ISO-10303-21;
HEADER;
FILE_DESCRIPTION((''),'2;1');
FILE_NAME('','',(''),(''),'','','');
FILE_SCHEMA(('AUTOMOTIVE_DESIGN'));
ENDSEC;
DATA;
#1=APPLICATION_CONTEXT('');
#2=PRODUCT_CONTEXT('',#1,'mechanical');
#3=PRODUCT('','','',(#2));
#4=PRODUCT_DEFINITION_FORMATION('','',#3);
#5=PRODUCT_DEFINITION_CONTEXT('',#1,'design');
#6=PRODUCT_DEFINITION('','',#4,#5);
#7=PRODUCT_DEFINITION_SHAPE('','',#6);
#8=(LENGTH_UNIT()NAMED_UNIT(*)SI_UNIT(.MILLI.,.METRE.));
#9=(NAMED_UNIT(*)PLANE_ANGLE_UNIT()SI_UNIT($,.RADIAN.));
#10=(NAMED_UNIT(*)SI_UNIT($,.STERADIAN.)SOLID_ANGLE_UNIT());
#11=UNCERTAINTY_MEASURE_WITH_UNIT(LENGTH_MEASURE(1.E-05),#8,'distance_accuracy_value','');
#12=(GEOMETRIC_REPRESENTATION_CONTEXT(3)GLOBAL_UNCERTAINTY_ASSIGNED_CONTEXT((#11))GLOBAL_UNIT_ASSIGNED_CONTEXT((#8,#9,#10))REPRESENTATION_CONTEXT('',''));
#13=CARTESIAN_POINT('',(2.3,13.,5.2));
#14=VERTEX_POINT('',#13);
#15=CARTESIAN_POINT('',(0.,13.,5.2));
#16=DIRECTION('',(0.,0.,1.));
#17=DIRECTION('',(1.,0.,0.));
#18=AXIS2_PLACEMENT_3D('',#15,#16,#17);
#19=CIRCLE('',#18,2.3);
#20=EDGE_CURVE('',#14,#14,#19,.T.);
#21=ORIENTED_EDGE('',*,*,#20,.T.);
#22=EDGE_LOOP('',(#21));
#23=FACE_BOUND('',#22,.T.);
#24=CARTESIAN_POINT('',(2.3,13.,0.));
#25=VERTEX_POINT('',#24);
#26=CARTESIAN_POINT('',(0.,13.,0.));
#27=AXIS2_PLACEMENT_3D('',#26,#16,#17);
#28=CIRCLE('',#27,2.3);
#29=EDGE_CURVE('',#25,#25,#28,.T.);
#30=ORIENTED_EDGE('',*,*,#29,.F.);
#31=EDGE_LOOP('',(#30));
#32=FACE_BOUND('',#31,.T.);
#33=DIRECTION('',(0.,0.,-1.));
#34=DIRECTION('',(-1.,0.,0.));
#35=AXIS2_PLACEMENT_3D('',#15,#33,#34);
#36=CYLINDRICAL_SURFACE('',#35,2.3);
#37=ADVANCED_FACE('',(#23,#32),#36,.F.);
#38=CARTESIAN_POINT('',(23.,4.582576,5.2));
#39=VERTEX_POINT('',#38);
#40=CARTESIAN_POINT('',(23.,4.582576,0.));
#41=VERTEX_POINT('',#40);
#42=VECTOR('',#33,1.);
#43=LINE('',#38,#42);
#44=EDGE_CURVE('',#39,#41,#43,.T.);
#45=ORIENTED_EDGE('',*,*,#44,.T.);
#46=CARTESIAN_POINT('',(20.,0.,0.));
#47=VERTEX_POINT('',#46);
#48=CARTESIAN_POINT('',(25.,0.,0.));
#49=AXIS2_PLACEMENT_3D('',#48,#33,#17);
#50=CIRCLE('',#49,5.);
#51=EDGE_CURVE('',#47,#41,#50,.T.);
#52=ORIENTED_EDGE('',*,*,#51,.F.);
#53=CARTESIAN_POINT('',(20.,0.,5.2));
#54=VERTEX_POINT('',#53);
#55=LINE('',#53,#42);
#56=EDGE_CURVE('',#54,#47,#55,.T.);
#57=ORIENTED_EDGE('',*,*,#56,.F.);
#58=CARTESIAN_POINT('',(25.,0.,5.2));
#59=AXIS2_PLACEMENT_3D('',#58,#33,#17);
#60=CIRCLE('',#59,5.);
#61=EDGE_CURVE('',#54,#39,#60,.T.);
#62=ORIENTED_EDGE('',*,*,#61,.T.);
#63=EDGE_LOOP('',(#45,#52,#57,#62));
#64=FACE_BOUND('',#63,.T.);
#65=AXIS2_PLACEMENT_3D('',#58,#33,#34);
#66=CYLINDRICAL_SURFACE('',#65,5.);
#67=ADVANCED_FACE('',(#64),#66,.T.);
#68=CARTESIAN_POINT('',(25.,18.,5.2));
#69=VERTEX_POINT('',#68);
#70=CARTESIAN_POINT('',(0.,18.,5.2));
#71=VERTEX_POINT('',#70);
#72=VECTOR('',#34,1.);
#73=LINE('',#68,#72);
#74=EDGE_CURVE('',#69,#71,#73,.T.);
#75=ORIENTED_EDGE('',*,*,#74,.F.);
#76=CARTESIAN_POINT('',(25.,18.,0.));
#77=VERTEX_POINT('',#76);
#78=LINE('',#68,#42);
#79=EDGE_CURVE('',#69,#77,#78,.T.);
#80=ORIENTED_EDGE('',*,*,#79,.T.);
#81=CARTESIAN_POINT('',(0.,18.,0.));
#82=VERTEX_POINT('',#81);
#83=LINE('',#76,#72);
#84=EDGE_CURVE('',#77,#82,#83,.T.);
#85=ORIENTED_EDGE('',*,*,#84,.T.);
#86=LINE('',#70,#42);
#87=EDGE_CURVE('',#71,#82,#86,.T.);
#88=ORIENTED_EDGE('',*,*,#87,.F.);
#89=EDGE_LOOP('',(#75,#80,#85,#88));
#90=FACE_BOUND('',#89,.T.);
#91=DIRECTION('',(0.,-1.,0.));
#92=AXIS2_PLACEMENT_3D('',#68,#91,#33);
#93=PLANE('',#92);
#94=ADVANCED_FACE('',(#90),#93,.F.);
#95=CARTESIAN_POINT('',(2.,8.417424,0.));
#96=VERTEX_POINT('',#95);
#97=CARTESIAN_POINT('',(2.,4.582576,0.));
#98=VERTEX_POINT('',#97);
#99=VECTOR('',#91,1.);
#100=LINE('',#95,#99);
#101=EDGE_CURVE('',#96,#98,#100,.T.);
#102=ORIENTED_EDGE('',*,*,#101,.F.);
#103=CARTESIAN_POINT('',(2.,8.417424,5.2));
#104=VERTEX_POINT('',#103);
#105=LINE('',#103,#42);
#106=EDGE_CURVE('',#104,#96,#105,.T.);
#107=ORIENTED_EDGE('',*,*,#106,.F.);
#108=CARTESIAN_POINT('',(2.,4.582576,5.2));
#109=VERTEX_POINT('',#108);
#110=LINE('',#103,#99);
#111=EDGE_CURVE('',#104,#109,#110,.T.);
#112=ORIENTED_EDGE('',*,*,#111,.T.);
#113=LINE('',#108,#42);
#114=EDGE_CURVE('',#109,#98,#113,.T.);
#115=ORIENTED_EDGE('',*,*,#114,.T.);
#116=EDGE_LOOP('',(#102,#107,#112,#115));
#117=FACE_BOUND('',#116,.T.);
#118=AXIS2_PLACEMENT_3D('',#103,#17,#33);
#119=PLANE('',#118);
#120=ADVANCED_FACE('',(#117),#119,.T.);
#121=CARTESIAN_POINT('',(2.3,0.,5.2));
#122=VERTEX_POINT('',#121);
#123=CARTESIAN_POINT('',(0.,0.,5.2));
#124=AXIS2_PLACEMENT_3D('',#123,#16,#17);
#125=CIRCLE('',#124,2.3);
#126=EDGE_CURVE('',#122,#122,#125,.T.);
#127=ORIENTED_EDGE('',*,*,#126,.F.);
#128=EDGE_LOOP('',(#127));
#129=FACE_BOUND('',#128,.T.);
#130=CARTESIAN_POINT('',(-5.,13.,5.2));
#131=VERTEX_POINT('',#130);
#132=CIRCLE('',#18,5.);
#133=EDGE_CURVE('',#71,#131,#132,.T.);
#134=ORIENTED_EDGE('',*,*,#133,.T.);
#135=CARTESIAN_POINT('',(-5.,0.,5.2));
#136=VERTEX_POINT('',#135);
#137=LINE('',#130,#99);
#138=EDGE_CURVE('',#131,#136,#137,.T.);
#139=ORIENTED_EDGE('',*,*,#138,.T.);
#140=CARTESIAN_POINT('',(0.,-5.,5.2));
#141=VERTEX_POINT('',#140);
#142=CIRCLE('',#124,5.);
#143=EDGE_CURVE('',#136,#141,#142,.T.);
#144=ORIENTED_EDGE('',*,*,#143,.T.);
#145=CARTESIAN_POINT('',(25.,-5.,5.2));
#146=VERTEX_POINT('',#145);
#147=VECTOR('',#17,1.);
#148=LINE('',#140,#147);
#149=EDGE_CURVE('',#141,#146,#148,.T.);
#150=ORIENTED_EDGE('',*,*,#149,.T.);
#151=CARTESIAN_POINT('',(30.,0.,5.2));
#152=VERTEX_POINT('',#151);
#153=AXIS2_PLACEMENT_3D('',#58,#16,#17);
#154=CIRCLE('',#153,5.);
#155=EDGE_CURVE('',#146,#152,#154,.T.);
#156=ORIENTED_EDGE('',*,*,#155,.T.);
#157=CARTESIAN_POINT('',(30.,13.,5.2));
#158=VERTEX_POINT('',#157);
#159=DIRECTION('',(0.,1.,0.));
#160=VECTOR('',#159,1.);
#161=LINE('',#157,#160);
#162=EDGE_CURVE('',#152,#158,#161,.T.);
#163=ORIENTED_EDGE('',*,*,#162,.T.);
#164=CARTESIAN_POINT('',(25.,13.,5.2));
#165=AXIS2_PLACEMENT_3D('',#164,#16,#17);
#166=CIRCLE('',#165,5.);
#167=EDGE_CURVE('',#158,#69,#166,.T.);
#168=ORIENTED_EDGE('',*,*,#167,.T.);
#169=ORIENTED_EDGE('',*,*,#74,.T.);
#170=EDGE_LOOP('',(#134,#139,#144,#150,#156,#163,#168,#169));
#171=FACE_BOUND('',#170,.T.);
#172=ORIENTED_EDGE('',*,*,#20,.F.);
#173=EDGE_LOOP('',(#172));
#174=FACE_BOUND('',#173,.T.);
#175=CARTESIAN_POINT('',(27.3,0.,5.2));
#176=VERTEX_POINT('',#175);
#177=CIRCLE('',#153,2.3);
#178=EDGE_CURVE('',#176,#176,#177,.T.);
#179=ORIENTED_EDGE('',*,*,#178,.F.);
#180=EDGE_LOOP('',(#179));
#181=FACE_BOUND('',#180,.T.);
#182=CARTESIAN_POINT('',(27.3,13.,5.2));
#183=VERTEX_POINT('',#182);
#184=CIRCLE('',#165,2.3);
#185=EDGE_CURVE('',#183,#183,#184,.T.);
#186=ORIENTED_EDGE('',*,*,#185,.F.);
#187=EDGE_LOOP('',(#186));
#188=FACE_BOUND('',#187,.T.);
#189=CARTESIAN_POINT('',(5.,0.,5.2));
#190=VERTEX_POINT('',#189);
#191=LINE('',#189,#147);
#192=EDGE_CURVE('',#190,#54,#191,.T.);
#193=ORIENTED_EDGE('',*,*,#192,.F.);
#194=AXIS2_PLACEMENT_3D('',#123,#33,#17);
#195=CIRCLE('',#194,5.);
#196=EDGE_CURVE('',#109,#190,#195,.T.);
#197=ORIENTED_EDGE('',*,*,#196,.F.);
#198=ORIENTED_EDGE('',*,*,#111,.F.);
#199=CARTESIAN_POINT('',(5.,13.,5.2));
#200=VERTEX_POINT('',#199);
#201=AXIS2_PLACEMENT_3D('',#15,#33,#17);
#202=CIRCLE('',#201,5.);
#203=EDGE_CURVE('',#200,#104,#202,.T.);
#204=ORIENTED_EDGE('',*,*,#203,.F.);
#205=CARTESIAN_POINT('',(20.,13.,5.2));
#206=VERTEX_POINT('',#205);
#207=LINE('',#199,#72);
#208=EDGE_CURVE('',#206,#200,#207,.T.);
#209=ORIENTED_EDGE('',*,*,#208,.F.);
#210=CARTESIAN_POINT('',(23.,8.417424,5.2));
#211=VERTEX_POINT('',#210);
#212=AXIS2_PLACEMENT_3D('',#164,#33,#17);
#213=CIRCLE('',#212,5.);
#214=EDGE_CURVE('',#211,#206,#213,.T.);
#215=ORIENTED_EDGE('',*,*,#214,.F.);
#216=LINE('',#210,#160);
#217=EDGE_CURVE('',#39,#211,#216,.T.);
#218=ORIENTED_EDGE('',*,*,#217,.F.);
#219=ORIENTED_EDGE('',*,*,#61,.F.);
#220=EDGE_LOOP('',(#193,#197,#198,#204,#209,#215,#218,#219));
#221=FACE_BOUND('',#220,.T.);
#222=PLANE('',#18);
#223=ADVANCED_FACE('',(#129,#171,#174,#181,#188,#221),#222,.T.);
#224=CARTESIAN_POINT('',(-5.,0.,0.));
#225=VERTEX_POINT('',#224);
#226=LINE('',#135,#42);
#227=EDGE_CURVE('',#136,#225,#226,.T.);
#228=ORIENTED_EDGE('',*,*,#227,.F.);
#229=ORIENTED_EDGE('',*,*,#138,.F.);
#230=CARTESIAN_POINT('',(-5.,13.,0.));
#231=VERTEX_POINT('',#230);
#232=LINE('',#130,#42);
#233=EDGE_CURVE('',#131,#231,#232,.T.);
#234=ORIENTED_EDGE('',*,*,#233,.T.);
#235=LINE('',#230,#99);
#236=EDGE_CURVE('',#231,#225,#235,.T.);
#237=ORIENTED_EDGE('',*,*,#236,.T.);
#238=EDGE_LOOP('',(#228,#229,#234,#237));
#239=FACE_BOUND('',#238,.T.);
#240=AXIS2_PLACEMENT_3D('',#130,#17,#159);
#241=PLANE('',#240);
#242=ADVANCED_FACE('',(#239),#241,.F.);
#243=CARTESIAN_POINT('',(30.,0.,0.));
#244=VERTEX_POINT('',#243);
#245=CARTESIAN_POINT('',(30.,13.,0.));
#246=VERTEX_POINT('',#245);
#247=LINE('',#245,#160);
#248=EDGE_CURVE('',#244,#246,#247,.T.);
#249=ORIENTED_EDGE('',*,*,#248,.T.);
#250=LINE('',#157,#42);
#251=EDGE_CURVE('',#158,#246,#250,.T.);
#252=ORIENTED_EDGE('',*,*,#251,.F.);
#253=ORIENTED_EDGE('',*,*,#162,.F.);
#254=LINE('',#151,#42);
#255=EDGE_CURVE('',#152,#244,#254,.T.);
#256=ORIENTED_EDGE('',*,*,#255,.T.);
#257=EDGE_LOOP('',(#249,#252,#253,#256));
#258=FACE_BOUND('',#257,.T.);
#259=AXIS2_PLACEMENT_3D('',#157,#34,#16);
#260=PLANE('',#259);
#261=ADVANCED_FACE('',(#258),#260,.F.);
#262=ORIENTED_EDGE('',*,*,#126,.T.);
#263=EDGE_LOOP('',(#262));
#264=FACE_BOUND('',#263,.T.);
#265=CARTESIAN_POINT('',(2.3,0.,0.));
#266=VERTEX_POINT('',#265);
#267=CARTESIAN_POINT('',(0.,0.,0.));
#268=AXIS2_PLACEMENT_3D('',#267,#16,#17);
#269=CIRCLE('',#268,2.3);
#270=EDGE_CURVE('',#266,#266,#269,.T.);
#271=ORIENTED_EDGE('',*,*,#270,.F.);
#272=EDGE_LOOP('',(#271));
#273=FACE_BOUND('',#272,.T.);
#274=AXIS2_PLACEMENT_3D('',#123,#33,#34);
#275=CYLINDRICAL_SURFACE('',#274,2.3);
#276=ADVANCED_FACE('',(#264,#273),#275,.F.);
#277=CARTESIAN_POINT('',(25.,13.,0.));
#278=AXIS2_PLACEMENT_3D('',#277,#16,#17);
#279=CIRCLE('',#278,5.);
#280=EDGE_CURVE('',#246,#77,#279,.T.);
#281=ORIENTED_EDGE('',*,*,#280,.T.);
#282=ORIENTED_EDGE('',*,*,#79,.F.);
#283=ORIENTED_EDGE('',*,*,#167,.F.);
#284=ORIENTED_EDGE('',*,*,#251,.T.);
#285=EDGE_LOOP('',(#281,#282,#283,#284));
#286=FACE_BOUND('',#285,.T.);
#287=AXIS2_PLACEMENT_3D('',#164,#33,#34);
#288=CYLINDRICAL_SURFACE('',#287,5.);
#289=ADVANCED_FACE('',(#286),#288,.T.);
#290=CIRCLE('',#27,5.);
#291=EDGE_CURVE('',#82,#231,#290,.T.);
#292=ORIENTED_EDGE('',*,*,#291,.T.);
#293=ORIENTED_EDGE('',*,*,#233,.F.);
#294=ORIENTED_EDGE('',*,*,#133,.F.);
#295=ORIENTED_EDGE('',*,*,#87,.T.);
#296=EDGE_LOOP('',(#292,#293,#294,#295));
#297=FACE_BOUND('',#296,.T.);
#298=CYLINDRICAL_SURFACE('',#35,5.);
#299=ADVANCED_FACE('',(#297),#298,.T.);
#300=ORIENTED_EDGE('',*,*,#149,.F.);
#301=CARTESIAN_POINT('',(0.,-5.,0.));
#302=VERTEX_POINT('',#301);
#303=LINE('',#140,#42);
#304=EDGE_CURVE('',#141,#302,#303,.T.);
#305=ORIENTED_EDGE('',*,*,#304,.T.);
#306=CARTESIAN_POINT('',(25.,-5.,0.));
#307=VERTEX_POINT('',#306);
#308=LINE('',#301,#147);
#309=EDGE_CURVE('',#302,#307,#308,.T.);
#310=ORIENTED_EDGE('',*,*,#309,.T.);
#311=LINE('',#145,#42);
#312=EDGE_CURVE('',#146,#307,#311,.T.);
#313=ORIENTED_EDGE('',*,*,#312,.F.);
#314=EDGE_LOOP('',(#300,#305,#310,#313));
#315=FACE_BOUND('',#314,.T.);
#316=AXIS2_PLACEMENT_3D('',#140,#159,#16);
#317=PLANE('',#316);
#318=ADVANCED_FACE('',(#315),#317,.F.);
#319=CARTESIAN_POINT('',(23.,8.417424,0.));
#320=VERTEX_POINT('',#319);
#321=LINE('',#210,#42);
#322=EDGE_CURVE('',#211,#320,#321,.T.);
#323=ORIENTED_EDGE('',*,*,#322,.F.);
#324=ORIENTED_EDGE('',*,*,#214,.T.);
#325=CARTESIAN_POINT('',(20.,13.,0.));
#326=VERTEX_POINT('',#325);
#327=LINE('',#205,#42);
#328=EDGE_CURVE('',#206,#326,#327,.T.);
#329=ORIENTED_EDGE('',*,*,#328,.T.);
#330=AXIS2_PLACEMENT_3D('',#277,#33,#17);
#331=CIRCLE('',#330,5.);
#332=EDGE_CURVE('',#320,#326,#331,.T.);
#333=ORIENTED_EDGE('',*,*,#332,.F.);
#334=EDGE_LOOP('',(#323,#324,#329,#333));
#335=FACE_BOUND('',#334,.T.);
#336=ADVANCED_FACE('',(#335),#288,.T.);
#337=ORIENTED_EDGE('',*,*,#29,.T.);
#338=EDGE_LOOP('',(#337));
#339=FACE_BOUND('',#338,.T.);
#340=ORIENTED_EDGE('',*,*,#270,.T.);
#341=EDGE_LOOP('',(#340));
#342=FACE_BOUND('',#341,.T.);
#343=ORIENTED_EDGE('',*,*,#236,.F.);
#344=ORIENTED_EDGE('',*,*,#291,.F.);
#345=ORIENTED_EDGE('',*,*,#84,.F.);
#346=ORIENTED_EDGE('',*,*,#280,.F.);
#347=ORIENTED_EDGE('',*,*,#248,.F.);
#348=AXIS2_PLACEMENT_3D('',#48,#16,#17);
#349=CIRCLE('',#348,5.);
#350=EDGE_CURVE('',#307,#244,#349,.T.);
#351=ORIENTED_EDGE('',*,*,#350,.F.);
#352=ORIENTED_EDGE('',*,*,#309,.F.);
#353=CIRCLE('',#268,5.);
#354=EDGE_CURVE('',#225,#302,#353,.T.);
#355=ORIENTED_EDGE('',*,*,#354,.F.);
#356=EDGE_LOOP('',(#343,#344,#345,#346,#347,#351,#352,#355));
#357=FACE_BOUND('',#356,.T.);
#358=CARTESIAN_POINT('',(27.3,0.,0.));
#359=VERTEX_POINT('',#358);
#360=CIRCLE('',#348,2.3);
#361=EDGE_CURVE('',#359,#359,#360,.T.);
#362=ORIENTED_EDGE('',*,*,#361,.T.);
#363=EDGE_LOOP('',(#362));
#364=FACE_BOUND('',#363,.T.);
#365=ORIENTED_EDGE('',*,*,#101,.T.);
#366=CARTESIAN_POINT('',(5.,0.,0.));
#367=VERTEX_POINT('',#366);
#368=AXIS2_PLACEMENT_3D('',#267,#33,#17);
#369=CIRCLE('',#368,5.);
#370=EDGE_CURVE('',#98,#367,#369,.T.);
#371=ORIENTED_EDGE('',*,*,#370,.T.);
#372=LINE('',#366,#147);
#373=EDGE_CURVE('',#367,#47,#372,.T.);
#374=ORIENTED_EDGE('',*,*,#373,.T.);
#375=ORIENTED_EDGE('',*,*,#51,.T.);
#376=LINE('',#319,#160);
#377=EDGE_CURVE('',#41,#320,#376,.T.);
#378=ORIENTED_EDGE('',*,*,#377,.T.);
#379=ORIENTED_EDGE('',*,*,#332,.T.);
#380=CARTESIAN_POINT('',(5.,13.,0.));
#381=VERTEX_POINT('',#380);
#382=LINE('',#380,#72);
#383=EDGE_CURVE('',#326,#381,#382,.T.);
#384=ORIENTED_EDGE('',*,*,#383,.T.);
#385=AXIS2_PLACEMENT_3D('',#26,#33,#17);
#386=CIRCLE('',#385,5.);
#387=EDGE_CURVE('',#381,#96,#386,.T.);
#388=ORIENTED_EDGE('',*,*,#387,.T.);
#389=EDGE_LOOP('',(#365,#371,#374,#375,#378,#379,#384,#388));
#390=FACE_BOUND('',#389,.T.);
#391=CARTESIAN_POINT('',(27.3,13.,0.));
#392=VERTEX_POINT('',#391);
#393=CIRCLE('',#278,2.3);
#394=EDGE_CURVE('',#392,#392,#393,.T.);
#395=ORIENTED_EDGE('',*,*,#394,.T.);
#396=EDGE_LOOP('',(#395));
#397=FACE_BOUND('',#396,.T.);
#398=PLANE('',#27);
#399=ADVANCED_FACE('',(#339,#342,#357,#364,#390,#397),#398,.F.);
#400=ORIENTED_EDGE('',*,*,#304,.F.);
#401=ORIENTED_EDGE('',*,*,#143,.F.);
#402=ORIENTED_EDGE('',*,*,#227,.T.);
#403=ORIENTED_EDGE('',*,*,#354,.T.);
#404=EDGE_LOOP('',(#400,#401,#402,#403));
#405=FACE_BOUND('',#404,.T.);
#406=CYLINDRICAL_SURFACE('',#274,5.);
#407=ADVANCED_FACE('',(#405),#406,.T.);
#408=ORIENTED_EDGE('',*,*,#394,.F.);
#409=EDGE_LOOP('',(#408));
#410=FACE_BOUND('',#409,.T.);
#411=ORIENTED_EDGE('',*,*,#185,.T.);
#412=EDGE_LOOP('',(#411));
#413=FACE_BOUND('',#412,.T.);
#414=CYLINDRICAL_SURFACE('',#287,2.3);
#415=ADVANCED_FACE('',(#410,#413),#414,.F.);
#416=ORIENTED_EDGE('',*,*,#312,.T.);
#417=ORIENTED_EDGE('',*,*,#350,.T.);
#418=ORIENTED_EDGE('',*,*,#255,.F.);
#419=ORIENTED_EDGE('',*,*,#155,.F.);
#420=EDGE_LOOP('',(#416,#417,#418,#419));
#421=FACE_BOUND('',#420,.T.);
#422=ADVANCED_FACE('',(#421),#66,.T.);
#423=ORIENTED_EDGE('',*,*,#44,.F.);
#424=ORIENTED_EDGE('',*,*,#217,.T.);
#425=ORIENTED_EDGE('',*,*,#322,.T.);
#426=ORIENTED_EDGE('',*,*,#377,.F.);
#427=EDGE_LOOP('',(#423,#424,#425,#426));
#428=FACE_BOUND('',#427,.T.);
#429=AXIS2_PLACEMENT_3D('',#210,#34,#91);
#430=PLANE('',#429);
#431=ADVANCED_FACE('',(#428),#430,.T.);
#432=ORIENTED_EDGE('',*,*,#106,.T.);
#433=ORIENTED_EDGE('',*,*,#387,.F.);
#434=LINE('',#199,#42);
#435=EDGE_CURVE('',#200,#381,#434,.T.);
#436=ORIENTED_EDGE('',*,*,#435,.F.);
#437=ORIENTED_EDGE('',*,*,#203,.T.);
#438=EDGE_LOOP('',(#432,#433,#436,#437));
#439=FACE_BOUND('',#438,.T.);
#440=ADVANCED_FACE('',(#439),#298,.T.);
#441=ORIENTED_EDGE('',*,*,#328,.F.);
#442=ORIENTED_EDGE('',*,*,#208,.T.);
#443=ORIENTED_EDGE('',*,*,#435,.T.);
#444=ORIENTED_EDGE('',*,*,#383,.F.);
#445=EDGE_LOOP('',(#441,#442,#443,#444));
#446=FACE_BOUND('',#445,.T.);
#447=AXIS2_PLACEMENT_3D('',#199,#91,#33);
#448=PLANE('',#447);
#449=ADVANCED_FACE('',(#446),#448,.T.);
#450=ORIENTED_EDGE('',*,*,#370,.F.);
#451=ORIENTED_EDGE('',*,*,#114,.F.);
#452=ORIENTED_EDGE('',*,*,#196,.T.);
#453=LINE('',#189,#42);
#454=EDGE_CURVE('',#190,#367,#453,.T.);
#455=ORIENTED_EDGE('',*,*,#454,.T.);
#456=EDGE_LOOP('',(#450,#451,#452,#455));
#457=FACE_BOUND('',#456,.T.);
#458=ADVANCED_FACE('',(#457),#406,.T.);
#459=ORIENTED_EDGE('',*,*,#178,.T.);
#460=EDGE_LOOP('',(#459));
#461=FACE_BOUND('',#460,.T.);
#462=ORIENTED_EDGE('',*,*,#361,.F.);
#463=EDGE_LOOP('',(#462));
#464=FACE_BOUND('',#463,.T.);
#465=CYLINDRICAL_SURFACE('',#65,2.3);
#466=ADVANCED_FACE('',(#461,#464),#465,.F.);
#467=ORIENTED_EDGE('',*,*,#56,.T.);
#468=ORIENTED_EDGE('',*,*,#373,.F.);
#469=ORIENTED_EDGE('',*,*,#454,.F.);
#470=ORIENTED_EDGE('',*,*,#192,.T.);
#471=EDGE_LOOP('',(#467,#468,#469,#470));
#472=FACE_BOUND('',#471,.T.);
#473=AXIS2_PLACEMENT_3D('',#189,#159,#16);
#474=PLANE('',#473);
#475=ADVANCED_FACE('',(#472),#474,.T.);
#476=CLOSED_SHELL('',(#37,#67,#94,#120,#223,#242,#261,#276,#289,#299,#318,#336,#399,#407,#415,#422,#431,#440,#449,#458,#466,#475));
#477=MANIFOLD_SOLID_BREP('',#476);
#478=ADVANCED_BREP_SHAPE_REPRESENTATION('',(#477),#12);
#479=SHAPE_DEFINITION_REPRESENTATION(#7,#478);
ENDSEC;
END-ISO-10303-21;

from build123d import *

# Parameters (mm, degrees)
SKETCH_1_R      = 2.3
EXTRUDE_1_DEPTH = 5.2


with BuildPart() as part:
    # 草图1 → 凸台-拉伸1 (new body)
    with BuildSketch(Plane.XY):
        with BuildLine():
            Line((-5, 13), (-5, 0))
            ThreePointArc((-5, 0), (-3.535533906, -3.535533906), (0, -5))
            Line((0, -5), (25, -5))
            ThreePointArc((25, -5), (28.535533906, -3.535533906), (30, 0))
            Line((30, 0), (30, 13))
            ThreePointArc((30, 13), (28.535533906, 16.535533906), (25, 18))
            Line((25, 18), (0, 18))
            ThreePointArc((0, 18), (-3.535533906, 16.535533906), (-5, 13))
        make_face()
        with Locations((0, 13)):
            Circle(SKETCH_1_R, mode=Mode.SUBTRACT)
        with Locations((25, 13)):
            Circle(SKETCH_1_R, mode=Mode.SUBTRACT)
        Circle(SKETCH_1_R, mode=Mode.SUBTRACT)
        with Locations((25, 0)):
            Circle(SKETCH_1_R, mode=Mode.SUBTRACT)
        with BuildLine():
            Line((5, 13), (20, 13))
            ThreePointArc((20, 13), (20.816699867, 10.261387212), (23, 8.417424305))
            Line((23, 8.417424305), (23, 4.582575695))
            ThreePointArc((23, 4.582575695), (20.816699867, 2.738612788), (20, 0))
            Line((20, 0), (5, 0))
            ThreePointArc((5, 0), (4.183300133, 2.738612788), (2, 4.582575695))
            Line((2, 4.582575695), (2, 8.417424305))
            ThreePointArc((2, 8.417424305), (4.183300133, 10.261387212), (5, 13))
        make_face(mode=Mode.SUBTRACT)
    extrude(amount=EXTRUDE_1_DEPTH)


solid = part.part
